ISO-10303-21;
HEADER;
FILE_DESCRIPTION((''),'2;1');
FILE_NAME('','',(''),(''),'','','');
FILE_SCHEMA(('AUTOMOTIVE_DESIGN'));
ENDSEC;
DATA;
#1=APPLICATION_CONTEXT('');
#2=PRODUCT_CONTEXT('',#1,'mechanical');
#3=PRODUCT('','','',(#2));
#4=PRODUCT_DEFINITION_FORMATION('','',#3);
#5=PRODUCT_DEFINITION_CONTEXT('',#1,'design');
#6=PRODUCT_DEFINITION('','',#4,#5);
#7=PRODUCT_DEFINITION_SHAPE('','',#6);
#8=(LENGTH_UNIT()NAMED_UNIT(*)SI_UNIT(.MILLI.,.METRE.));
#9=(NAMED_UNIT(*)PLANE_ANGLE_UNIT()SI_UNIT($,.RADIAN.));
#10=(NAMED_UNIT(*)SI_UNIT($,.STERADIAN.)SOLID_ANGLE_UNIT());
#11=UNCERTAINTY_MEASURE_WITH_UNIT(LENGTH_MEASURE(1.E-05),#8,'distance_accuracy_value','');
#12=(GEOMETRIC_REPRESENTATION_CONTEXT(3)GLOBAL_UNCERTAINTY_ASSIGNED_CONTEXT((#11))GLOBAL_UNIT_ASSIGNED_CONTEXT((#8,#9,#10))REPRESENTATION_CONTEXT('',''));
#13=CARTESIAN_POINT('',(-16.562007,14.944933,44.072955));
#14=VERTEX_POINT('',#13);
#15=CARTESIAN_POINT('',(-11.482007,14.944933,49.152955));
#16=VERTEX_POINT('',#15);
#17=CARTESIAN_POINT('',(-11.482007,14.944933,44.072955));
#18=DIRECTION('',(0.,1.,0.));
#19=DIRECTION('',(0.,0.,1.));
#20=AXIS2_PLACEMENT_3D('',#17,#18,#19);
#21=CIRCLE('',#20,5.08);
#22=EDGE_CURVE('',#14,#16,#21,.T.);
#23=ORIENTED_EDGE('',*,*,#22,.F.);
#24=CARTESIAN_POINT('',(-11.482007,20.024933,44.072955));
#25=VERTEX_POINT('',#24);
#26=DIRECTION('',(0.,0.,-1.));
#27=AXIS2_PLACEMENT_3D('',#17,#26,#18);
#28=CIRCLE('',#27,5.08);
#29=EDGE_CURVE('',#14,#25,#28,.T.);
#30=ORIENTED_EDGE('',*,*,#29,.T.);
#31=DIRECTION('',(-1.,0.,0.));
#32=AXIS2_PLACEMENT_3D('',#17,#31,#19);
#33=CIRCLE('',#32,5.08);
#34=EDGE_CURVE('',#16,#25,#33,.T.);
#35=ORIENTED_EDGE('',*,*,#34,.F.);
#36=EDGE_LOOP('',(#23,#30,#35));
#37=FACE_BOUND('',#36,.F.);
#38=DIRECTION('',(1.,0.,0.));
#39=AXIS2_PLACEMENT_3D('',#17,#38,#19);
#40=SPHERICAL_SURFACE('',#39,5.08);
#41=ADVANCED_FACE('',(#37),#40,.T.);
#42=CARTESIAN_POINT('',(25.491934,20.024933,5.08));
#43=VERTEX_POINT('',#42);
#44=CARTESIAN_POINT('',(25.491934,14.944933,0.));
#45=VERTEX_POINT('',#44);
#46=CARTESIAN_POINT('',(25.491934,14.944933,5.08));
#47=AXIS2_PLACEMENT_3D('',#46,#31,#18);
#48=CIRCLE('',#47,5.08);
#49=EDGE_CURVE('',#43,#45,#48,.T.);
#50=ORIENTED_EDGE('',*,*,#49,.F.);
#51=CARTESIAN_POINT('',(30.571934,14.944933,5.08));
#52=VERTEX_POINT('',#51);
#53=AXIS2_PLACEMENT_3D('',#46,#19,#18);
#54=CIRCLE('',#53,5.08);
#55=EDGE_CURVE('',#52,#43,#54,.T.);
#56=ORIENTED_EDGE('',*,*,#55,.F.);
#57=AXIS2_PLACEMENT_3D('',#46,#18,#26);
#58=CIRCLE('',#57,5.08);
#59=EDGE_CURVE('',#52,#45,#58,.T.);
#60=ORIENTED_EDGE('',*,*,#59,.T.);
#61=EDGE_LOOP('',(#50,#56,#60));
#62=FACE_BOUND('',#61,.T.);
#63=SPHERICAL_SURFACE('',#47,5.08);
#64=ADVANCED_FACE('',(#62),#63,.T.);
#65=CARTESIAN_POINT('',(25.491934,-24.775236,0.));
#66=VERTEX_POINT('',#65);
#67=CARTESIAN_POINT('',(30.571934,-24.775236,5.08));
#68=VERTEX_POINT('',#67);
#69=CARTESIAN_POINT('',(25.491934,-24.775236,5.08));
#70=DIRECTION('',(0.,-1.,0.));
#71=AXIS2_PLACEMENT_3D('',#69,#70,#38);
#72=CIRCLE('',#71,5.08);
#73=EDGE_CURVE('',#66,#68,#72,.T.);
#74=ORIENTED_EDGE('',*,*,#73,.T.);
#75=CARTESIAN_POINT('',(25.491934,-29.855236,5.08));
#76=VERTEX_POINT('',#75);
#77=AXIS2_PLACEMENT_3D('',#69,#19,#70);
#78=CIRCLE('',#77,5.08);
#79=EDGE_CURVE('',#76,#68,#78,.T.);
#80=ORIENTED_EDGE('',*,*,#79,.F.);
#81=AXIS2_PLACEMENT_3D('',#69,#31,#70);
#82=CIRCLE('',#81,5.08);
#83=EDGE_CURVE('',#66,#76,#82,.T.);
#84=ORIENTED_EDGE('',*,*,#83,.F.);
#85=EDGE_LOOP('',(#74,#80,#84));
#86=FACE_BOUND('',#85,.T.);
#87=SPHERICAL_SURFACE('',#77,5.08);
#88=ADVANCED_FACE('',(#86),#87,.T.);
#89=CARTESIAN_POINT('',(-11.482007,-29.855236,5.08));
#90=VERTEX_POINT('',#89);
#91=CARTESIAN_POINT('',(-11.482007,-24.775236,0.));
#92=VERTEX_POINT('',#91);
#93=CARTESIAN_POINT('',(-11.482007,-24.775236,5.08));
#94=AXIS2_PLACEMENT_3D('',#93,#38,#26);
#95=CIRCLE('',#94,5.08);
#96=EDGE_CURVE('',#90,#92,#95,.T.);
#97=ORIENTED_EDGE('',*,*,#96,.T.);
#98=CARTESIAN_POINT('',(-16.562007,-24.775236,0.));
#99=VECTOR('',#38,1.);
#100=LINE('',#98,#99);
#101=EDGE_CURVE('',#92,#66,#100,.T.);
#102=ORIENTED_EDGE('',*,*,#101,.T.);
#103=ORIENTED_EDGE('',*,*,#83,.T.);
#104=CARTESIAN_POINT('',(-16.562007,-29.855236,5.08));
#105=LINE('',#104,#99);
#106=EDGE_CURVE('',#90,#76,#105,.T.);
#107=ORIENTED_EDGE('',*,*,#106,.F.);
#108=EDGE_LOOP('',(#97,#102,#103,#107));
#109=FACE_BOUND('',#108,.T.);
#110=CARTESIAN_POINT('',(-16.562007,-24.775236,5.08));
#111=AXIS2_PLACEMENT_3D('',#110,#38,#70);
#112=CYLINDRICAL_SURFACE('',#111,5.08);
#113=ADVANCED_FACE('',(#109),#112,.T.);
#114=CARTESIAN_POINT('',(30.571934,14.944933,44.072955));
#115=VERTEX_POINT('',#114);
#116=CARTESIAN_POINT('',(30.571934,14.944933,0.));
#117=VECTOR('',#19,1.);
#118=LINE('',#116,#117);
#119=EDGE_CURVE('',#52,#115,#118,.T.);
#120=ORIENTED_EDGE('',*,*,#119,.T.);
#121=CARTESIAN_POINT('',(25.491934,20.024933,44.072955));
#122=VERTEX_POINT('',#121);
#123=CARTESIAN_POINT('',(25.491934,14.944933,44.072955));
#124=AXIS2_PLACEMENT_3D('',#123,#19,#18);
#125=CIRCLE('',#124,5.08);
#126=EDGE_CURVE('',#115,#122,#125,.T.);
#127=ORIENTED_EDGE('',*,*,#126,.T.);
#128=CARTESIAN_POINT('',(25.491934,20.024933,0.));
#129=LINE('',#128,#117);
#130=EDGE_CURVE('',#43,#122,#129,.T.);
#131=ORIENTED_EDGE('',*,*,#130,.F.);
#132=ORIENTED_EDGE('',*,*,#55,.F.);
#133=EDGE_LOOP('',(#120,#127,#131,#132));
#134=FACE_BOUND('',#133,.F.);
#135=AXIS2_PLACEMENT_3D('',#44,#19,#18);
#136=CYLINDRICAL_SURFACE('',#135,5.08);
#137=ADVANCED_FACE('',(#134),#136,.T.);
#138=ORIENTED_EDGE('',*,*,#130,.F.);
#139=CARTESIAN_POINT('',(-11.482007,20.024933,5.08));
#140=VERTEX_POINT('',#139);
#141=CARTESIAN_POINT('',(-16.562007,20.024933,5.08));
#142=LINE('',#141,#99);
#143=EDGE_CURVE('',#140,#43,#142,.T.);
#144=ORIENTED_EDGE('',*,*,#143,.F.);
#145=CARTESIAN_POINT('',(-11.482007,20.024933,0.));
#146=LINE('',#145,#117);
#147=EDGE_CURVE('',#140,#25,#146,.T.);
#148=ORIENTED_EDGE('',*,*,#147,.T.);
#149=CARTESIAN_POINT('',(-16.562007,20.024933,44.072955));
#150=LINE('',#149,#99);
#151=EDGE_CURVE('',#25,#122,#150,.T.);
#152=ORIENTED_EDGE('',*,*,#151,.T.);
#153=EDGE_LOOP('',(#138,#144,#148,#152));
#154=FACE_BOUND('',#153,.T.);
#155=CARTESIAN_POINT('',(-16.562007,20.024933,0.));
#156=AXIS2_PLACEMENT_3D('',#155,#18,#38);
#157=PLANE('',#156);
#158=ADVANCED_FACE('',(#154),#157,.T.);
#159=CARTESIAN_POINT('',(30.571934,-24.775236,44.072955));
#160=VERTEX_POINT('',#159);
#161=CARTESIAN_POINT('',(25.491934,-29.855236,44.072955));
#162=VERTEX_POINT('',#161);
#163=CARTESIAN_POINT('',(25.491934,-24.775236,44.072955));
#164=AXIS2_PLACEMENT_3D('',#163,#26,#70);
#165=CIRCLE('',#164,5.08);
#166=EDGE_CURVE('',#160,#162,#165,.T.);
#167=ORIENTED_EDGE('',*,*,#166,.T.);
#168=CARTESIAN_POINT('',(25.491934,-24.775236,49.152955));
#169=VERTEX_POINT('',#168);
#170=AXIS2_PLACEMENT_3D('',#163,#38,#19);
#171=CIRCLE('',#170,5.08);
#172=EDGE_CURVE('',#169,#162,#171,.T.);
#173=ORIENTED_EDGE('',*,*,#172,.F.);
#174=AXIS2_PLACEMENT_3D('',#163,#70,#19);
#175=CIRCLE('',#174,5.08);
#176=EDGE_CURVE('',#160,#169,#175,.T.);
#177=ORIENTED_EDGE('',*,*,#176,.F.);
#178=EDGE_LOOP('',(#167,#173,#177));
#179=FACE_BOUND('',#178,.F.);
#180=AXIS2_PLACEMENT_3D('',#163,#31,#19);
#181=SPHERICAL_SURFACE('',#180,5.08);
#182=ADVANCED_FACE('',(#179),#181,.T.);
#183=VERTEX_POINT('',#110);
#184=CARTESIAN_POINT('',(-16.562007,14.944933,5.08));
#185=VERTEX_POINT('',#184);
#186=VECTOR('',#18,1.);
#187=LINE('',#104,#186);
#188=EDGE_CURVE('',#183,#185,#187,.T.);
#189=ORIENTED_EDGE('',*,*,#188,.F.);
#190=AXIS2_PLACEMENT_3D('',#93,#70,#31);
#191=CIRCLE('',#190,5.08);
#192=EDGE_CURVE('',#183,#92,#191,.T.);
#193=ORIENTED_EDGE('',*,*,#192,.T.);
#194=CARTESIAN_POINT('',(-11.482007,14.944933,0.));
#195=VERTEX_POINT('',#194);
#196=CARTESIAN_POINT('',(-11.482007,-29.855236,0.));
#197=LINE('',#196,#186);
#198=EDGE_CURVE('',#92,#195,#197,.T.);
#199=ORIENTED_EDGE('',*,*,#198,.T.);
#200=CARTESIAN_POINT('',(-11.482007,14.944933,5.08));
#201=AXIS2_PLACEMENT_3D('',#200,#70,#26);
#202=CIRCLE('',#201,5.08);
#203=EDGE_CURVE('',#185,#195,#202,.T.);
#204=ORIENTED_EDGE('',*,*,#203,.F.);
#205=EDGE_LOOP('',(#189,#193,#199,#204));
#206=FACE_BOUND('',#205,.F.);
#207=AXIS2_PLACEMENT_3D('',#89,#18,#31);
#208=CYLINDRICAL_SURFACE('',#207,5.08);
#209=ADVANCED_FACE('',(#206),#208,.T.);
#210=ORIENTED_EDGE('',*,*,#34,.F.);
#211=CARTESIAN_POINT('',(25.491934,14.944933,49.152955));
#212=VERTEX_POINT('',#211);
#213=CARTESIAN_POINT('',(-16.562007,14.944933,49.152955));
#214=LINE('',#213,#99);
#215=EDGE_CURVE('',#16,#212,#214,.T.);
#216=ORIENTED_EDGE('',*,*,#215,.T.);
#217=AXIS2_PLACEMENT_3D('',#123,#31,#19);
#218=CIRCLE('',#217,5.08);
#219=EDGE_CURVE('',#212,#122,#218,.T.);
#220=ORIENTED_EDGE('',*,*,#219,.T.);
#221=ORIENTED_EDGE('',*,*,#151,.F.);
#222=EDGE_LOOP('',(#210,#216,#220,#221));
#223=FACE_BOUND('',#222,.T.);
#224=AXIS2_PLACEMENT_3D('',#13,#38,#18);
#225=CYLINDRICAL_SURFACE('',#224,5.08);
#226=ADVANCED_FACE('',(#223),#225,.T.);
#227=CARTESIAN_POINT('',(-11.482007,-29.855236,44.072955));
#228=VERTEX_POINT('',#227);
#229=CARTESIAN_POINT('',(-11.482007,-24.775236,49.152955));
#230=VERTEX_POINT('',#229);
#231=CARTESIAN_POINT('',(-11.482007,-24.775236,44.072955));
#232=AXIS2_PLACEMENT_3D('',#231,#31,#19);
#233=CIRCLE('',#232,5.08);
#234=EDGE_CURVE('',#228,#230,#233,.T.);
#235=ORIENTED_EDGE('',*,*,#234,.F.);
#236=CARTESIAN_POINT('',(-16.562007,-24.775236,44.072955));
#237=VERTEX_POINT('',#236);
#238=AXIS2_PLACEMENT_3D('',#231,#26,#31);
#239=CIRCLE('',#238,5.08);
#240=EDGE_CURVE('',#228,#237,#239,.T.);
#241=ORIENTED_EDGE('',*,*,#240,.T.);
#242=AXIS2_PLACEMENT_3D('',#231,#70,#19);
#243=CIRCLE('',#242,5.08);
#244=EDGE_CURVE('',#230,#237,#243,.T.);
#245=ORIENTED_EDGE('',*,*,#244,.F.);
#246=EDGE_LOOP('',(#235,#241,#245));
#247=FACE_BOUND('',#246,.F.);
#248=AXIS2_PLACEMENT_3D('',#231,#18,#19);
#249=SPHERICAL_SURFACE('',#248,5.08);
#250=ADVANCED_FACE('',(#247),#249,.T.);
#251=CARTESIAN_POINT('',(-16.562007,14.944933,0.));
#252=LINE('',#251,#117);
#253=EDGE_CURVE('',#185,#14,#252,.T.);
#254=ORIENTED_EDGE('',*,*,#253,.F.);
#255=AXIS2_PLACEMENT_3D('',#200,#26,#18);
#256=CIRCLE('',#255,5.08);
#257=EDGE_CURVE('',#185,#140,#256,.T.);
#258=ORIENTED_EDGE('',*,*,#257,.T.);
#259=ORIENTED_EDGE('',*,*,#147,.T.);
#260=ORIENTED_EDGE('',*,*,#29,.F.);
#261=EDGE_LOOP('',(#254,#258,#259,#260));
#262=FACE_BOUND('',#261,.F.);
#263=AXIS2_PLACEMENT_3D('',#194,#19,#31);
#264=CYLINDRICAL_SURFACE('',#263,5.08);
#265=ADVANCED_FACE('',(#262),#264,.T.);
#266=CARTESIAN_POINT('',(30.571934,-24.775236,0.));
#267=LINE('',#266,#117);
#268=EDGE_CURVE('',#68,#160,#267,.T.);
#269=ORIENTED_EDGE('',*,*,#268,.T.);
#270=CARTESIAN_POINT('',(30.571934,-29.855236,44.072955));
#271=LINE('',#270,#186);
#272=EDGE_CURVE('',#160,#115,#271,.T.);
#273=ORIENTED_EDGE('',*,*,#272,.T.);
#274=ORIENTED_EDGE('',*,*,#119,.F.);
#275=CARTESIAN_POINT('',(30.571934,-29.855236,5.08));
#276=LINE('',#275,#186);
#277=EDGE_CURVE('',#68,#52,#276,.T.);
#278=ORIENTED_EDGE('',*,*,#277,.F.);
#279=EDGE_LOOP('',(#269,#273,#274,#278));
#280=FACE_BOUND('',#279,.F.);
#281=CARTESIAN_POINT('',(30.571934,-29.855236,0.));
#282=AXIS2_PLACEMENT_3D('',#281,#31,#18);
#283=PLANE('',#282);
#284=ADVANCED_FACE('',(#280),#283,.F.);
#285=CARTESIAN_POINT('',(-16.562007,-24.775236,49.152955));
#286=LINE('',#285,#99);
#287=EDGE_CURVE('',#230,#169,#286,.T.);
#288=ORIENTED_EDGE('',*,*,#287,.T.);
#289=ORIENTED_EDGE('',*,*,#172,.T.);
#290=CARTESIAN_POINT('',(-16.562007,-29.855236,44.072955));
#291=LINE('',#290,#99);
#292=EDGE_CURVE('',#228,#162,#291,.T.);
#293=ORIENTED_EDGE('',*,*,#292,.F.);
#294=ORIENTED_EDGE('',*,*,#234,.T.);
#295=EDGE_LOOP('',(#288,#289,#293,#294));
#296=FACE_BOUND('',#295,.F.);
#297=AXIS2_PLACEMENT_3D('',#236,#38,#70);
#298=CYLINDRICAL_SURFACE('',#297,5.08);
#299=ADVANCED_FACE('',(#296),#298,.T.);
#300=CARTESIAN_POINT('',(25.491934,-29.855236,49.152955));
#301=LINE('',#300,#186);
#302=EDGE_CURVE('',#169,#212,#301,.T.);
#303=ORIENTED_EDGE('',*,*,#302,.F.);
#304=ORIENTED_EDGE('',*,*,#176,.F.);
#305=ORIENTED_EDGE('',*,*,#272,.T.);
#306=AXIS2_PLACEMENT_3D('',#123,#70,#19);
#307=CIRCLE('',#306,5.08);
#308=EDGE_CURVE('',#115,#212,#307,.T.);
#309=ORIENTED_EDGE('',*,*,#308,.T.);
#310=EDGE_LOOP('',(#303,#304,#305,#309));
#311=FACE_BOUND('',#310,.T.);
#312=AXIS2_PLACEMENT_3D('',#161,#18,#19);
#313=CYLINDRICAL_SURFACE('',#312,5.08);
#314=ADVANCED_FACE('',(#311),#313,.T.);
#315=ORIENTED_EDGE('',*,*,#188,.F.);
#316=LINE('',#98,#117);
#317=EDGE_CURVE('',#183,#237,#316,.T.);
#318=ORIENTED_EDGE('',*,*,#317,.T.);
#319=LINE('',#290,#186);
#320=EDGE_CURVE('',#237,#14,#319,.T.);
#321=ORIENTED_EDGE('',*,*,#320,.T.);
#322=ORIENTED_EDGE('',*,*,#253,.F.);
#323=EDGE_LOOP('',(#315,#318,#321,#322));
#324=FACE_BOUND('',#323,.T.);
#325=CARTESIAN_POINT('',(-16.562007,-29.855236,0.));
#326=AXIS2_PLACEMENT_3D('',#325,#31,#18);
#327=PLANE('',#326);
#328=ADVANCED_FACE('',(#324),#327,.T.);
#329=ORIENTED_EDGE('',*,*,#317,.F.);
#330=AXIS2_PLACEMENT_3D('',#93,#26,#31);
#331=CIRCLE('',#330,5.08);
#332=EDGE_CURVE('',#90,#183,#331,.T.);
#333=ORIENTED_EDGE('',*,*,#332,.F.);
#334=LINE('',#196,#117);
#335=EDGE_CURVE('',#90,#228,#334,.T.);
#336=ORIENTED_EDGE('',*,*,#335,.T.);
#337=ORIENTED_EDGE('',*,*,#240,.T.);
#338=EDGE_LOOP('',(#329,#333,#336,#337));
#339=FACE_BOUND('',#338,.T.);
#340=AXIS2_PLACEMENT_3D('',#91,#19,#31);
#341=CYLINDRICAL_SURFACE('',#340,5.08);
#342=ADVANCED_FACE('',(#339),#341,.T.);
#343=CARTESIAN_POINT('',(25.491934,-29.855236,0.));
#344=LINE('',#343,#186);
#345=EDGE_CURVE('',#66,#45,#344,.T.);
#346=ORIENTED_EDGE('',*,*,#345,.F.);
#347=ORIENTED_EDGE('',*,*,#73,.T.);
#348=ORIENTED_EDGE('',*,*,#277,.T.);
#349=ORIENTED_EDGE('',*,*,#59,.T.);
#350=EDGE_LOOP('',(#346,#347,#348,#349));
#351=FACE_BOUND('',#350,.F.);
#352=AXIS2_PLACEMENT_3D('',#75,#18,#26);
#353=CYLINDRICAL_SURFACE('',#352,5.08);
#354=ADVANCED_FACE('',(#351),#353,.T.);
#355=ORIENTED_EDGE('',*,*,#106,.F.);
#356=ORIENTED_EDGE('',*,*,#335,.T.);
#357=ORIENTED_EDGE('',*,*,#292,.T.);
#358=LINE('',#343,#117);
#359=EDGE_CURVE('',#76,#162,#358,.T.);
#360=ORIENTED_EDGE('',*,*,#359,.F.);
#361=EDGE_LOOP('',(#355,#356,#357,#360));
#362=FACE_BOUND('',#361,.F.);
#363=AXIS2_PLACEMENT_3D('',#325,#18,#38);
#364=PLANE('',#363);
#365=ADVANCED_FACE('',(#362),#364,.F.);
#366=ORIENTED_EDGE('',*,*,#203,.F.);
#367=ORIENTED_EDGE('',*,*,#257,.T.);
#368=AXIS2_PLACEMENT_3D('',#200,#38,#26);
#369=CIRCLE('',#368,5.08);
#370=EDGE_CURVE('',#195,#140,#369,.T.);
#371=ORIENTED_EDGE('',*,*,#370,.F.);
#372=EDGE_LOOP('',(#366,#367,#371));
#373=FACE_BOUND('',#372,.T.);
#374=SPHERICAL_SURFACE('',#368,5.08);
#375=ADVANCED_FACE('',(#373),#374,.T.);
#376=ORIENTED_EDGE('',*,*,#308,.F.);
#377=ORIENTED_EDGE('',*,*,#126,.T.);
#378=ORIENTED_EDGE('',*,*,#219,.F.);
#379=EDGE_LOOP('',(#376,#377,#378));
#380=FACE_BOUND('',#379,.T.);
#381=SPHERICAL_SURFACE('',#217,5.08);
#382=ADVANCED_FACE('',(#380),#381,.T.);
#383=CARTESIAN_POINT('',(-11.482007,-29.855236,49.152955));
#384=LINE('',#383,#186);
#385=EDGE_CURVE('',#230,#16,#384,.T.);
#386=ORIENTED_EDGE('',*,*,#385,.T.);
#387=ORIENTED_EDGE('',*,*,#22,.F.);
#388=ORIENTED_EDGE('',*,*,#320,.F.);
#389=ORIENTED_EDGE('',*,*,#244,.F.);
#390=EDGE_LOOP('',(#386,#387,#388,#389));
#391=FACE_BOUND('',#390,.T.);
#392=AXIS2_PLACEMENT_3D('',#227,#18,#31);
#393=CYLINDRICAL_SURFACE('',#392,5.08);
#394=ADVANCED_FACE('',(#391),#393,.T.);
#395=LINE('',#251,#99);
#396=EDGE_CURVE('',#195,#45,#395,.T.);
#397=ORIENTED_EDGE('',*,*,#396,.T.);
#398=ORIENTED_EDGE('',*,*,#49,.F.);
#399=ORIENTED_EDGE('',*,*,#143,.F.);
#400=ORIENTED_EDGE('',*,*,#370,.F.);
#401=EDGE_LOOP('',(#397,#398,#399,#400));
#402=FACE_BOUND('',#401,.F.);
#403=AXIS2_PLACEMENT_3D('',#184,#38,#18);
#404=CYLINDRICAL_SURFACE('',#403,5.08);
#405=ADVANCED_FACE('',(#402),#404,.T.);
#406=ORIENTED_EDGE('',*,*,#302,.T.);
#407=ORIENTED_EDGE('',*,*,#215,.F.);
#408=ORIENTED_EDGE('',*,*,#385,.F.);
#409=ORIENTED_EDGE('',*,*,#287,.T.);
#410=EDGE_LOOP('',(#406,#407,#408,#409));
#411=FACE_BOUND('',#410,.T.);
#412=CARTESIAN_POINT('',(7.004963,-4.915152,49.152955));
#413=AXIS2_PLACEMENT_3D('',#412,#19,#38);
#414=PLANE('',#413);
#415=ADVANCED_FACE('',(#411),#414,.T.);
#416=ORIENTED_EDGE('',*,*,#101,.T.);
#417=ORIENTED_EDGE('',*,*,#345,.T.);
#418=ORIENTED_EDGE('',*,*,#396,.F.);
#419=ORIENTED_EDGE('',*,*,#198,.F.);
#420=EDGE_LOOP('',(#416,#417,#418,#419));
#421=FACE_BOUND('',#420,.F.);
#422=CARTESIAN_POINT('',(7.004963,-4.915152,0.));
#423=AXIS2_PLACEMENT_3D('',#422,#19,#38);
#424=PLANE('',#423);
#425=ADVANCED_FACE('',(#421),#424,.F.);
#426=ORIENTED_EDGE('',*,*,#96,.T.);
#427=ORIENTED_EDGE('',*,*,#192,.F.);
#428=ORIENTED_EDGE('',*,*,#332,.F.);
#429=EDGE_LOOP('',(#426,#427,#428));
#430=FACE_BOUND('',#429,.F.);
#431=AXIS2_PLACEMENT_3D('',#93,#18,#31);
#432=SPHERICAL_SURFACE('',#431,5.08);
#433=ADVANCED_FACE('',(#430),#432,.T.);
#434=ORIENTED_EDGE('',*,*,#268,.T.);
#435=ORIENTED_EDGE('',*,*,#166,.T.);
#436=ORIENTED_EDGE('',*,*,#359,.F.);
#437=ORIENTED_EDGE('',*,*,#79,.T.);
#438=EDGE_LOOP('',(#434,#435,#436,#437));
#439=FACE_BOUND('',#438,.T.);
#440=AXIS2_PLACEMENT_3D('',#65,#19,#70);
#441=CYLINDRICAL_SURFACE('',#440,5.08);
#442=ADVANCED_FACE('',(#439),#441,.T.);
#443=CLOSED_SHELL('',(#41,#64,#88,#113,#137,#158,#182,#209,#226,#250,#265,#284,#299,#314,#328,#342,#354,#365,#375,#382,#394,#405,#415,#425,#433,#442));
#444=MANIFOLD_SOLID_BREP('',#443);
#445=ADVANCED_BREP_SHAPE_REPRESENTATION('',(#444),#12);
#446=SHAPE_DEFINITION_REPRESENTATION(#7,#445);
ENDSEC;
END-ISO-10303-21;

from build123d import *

# Parameters (mm, degrees)
F0_W       = 47.1339412034
F0_H       = 49.880169332
F1_DEPTH   = 49.1529554129
F1_FACE_W  = 47.1339412034
F1_FACE_H  = 49.880169332
F1_FACE1_W = 47.1339412034
F1_FACE1_H = 49.880169332
F3_R       = 5.08


with BuildPart() as f1:
    # F0 (on Top) → F1 (new body)
    with BuildSketch(Plane.XY):
        with Locations((7.0049632341, -4.9151517451)):
            Rectangle(F0_W, F0_H)
    extrude(amount=F1_DEPTH)

    # F1_face (on face) → F2 section 0
    with BuildSketch(Plane(origin=(7.0049632341, -4.9151517451, 0), x_dir=(1, 0, 0), z_dir=(0, 0, -1))):
        Rectangle(F1_FACE_W, F1_FACE_H)
    # F1_face1 (on face) → F2 section 1
    with BuildSketch(Plane(origin=(7.0049632341, -4.9151517451, 49.1529554129), x_dir=(1, 0, 0), z_dir=(0, 0, 1))):
        Rectangle(F1_FACE1_W, F1_FACE1_H)
    loft()

    # F3
    f3_edges = [f1.edges().sort_by_distance(p)[0] for p in [
        (7.004963, 20.024933, 49.152955),
        (-16.562007, -4.915152, 49.152955),
        (7.004963, 20.024933, 0),
        (-16.562007, -4.915152, 0),
        (-16.562007, 20.024933, 24.576478),
        (7.004963, -29.855236, 49.152955),
        (30.571934, -4.915152, 49.152955),
        (-16.562007, -29.855236, 24.576478),
        (30.571934, -29.855236, 24.576478),
        (7.004963, -29.855236, 0),
        (30.571934, 20.024933, 24.576478),
        (30.571934, -4.915152, 0),
    ]]
    fillet(f3_edges, radius=F3_R)


solid = f1.part
